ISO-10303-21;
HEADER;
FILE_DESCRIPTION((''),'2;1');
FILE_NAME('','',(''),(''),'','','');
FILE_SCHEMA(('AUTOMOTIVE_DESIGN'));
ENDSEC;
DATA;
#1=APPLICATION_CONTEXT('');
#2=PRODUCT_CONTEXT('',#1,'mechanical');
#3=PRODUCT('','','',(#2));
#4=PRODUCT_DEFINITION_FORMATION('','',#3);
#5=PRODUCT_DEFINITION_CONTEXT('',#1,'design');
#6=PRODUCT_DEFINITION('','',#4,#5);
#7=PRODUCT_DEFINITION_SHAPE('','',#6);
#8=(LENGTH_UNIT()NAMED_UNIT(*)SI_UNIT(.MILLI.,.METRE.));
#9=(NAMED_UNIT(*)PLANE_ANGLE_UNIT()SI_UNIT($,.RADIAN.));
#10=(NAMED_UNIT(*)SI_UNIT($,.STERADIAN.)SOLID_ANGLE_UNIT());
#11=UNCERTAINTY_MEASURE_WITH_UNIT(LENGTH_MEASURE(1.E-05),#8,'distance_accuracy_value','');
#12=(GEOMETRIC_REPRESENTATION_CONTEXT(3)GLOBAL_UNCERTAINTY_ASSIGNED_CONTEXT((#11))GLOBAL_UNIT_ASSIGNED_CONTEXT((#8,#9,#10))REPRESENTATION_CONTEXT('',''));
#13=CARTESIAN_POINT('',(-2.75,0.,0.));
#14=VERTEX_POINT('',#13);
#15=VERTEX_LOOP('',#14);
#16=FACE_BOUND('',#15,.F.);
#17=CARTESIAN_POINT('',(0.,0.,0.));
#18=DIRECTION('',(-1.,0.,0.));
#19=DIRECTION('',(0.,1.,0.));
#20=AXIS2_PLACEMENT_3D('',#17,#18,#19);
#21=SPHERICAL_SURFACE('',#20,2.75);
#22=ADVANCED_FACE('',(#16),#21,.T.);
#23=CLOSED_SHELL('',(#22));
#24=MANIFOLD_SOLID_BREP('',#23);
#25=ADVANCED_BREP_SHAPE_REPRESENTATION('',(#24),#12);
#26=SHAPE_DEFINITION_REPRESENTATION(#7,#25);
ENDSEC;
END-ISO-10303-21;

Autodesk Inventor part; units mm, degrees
sketch "Sketch_1" plane through (0, 0, 0) normal (0, 0, 1) x (1, 0, 0)
  line L0 (2.75, 0) -> (-2.75, 0)
  arc A0 (2.75, 0) -> (-2.75, 0) centre (0, 0) ccw
  line L1 (2.75, 0) -> (-2.75, 0)
revolve "Revolution1" add sketch "Sketch_1" angle 360 about axis through (2.75, 0, 0) along (1, 0, 0)
ref_plane "B_HW_XY" through (0, 0, 0) normal (1, 0, 0) x (0, 0, -1)
ref_plane "B_HW_YZ" through (0, 0, 0) normal (0, 0, -1) x (0, 1, 0)
ref_plane "B_HW_ZX" through (0, 0, 0) normal (0, 1, 0) x (1, 0, 0)
properties part number "51200 Ball"
